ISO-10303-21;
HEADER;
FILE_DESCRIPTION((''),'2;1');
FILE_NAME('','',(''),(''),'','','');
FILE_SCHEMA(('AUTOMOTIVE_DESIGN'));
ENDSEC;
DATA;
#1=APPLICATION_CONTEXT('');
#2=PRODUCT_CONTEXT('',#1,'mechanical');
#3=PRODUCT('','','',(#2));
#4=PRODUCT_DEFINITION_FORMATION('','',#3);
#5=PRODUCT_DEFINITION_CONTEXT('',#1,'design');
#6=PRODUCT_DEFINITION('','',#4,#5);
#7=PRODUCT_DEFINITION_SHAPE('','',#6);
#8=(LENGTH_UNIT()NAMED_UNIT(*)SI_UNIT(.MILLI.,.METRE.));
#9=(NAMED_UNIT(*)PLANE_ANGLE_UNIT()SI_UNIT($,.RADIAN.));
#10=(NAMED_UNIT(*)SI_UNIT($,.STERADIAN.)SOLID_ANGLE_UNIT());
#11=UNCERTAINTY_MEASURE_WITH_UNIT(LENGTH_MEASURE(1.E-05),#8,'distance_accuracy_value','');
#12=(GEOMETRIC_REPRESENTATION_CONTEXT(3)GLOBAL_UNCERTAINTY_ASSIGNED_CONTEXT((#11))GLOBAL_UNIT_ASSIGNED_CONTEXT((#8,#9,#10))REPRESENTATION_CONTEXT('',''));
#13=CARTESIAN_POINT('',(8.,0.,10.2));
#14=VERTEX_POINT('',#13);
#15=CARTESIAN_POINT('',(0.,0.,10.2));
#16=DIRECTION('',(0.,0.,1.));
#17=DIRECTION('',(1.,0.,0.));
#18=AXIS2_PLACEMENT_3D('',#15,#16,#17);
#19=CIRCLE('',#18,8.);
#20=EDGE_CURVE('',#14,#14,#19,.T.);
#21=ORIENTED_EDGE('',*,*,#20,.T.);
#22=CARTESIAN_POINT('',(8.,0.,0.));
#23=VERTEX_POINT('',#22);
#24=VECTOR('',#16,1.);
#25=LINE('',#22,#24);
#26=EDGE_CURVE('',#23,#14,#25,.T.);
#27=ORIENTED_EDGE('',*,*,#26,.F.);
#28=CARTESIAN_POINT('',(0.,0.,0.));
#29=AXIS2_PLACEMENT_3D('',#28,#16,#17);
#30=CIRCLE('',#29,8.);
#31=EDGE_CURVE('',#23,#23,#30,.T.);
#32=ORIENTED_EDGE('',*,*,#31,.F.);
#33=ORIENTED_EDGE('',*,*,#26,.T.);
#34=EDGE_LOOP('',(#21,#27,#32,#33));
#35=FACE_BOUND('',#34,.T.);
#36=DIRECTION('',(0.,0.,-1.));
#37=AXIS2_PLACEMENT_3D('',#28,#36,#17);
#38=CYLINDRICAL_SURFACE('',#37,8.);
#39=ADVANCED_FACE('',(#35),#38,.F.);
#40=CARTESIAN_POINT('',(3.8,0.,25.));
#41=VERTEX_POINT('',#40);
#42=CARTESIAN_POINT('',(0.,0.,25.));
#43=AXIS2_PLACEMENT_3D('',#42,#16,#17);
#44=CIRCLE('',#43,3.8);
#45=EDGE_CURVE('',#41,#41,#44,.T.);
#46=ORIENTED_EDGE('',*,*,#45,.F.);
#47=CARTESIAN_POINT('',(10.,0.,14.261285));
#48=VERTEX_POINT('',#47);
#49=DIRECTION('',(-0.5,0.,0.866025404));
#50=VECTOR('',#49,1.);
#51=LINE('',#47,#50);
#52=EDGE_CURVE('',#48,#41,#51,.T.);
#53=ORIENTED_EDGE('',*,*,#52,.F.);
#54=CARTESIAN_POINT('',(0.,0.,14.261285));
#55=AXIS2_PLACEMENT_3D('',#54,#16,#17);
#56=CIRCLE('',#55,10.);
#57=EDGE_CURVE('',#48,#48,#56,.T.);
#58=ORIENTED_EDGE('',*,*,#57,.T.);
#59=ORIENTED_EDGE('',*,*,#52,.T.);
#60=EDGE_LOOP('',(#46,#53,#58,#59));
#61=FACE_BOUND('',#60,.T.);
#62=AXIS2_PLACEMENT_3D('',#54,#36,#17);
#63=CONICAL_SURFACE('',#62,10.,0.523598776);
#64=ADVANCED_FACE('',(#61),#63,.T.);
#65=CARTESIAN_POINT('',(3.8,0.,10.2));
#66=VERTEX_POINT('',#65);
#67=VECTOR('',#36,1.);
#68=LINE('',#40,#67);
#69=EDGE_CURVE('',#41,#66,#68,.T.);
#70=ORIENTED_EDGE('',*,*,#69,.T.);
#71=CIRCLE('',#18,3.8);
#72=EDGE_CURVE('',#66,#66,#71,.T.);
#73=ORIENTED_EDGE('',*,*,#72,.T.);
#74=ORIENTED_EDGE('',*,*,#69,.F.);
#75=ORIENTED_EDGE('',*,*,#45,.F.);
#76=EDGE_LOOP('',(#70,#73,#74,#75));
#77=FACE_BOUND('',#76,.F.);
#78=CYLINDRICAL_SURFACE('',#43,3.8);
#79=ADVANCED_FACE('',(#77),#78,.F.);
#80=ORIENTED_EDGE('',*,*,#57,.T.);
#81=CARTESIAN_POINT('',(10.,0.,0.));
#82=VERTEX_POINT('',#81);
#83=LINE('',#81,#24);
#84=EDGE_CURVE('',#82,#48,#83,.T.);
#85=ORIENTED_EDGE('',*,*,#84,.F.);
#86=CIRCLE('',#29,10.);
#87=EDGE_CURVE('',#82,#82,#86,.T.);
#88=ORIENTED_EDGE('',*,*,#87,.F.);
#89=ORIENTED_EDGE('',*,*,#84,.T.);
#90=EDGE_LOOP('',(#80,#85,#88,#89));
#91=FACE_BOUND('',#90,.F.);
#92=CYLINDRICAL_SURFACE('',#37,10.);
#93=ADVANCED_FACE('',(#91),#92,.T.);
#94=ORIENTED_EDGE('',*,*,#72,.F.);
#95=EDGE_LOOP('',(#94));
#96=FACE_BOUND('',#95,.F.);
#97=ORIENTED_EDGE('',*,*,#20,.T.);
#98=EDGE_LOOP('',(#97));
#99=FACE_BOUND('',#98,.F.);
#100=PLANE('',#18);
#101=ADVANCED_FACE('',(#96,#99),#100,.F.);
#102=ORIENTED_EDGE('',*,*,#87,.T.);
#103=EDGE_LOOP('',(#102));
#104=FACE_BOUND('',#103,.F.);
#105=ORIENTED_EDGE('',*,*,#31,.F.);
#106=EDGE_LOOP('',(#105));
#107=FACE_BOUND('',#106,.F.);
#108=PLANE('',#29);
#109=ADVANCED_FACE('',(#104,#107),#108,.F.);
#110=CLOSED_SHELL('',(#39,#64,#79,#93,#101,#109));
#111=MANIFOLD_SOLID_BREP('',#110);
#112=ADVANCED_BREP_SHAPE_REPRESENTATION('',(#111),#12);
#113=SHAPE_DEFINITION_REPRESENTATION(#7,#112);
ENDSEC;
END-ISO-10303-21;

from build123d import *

# Parameters (mm, degrees)
F0_R     = 10
F1_DEPTH = 25
F2_SIZE2 = 6.2
F2_SIZE  = 10.7387150069
F3_R     = 3.8
F4_DEPTH = 40.7
F5_R     = 8
F6_DEPTH = 10.2


with BuildPart() as f1:
    # F0 (on Top) → F1 (new body)
    with BuildSketch(Plane.XY):
        Circle(F0_R)
    extrude(amount=F1_DEPTH)

    # F2
    f2_edges = [f1.edges().sort_by_distance(p)[0] for p in [
        (-10, 0, 25),
    ]]
    f2_side = f1.faces().sort_by_distance((-10, 0, 12.5))[0]
    chamfer(f2_edges, length=F2_SIZE, length2=F2_SIZE2, reference=f2_side)

    # F3 (on face) → F4 (cut)
    with BuildSketch(Plane.XY.offset(25)):
        Circle(F3_R)
    extrude(amount=-F4_DEPTH, mode=Mode.SUBTRACT)

    # F5 (on Top) → F6 (cut)
    with BuildSketch(Plane.XY):
        Circle(F5_R)
    extrude(amount=F6_DEPTH, mode=Mode.SUBTRACT)


solid = f1.part
